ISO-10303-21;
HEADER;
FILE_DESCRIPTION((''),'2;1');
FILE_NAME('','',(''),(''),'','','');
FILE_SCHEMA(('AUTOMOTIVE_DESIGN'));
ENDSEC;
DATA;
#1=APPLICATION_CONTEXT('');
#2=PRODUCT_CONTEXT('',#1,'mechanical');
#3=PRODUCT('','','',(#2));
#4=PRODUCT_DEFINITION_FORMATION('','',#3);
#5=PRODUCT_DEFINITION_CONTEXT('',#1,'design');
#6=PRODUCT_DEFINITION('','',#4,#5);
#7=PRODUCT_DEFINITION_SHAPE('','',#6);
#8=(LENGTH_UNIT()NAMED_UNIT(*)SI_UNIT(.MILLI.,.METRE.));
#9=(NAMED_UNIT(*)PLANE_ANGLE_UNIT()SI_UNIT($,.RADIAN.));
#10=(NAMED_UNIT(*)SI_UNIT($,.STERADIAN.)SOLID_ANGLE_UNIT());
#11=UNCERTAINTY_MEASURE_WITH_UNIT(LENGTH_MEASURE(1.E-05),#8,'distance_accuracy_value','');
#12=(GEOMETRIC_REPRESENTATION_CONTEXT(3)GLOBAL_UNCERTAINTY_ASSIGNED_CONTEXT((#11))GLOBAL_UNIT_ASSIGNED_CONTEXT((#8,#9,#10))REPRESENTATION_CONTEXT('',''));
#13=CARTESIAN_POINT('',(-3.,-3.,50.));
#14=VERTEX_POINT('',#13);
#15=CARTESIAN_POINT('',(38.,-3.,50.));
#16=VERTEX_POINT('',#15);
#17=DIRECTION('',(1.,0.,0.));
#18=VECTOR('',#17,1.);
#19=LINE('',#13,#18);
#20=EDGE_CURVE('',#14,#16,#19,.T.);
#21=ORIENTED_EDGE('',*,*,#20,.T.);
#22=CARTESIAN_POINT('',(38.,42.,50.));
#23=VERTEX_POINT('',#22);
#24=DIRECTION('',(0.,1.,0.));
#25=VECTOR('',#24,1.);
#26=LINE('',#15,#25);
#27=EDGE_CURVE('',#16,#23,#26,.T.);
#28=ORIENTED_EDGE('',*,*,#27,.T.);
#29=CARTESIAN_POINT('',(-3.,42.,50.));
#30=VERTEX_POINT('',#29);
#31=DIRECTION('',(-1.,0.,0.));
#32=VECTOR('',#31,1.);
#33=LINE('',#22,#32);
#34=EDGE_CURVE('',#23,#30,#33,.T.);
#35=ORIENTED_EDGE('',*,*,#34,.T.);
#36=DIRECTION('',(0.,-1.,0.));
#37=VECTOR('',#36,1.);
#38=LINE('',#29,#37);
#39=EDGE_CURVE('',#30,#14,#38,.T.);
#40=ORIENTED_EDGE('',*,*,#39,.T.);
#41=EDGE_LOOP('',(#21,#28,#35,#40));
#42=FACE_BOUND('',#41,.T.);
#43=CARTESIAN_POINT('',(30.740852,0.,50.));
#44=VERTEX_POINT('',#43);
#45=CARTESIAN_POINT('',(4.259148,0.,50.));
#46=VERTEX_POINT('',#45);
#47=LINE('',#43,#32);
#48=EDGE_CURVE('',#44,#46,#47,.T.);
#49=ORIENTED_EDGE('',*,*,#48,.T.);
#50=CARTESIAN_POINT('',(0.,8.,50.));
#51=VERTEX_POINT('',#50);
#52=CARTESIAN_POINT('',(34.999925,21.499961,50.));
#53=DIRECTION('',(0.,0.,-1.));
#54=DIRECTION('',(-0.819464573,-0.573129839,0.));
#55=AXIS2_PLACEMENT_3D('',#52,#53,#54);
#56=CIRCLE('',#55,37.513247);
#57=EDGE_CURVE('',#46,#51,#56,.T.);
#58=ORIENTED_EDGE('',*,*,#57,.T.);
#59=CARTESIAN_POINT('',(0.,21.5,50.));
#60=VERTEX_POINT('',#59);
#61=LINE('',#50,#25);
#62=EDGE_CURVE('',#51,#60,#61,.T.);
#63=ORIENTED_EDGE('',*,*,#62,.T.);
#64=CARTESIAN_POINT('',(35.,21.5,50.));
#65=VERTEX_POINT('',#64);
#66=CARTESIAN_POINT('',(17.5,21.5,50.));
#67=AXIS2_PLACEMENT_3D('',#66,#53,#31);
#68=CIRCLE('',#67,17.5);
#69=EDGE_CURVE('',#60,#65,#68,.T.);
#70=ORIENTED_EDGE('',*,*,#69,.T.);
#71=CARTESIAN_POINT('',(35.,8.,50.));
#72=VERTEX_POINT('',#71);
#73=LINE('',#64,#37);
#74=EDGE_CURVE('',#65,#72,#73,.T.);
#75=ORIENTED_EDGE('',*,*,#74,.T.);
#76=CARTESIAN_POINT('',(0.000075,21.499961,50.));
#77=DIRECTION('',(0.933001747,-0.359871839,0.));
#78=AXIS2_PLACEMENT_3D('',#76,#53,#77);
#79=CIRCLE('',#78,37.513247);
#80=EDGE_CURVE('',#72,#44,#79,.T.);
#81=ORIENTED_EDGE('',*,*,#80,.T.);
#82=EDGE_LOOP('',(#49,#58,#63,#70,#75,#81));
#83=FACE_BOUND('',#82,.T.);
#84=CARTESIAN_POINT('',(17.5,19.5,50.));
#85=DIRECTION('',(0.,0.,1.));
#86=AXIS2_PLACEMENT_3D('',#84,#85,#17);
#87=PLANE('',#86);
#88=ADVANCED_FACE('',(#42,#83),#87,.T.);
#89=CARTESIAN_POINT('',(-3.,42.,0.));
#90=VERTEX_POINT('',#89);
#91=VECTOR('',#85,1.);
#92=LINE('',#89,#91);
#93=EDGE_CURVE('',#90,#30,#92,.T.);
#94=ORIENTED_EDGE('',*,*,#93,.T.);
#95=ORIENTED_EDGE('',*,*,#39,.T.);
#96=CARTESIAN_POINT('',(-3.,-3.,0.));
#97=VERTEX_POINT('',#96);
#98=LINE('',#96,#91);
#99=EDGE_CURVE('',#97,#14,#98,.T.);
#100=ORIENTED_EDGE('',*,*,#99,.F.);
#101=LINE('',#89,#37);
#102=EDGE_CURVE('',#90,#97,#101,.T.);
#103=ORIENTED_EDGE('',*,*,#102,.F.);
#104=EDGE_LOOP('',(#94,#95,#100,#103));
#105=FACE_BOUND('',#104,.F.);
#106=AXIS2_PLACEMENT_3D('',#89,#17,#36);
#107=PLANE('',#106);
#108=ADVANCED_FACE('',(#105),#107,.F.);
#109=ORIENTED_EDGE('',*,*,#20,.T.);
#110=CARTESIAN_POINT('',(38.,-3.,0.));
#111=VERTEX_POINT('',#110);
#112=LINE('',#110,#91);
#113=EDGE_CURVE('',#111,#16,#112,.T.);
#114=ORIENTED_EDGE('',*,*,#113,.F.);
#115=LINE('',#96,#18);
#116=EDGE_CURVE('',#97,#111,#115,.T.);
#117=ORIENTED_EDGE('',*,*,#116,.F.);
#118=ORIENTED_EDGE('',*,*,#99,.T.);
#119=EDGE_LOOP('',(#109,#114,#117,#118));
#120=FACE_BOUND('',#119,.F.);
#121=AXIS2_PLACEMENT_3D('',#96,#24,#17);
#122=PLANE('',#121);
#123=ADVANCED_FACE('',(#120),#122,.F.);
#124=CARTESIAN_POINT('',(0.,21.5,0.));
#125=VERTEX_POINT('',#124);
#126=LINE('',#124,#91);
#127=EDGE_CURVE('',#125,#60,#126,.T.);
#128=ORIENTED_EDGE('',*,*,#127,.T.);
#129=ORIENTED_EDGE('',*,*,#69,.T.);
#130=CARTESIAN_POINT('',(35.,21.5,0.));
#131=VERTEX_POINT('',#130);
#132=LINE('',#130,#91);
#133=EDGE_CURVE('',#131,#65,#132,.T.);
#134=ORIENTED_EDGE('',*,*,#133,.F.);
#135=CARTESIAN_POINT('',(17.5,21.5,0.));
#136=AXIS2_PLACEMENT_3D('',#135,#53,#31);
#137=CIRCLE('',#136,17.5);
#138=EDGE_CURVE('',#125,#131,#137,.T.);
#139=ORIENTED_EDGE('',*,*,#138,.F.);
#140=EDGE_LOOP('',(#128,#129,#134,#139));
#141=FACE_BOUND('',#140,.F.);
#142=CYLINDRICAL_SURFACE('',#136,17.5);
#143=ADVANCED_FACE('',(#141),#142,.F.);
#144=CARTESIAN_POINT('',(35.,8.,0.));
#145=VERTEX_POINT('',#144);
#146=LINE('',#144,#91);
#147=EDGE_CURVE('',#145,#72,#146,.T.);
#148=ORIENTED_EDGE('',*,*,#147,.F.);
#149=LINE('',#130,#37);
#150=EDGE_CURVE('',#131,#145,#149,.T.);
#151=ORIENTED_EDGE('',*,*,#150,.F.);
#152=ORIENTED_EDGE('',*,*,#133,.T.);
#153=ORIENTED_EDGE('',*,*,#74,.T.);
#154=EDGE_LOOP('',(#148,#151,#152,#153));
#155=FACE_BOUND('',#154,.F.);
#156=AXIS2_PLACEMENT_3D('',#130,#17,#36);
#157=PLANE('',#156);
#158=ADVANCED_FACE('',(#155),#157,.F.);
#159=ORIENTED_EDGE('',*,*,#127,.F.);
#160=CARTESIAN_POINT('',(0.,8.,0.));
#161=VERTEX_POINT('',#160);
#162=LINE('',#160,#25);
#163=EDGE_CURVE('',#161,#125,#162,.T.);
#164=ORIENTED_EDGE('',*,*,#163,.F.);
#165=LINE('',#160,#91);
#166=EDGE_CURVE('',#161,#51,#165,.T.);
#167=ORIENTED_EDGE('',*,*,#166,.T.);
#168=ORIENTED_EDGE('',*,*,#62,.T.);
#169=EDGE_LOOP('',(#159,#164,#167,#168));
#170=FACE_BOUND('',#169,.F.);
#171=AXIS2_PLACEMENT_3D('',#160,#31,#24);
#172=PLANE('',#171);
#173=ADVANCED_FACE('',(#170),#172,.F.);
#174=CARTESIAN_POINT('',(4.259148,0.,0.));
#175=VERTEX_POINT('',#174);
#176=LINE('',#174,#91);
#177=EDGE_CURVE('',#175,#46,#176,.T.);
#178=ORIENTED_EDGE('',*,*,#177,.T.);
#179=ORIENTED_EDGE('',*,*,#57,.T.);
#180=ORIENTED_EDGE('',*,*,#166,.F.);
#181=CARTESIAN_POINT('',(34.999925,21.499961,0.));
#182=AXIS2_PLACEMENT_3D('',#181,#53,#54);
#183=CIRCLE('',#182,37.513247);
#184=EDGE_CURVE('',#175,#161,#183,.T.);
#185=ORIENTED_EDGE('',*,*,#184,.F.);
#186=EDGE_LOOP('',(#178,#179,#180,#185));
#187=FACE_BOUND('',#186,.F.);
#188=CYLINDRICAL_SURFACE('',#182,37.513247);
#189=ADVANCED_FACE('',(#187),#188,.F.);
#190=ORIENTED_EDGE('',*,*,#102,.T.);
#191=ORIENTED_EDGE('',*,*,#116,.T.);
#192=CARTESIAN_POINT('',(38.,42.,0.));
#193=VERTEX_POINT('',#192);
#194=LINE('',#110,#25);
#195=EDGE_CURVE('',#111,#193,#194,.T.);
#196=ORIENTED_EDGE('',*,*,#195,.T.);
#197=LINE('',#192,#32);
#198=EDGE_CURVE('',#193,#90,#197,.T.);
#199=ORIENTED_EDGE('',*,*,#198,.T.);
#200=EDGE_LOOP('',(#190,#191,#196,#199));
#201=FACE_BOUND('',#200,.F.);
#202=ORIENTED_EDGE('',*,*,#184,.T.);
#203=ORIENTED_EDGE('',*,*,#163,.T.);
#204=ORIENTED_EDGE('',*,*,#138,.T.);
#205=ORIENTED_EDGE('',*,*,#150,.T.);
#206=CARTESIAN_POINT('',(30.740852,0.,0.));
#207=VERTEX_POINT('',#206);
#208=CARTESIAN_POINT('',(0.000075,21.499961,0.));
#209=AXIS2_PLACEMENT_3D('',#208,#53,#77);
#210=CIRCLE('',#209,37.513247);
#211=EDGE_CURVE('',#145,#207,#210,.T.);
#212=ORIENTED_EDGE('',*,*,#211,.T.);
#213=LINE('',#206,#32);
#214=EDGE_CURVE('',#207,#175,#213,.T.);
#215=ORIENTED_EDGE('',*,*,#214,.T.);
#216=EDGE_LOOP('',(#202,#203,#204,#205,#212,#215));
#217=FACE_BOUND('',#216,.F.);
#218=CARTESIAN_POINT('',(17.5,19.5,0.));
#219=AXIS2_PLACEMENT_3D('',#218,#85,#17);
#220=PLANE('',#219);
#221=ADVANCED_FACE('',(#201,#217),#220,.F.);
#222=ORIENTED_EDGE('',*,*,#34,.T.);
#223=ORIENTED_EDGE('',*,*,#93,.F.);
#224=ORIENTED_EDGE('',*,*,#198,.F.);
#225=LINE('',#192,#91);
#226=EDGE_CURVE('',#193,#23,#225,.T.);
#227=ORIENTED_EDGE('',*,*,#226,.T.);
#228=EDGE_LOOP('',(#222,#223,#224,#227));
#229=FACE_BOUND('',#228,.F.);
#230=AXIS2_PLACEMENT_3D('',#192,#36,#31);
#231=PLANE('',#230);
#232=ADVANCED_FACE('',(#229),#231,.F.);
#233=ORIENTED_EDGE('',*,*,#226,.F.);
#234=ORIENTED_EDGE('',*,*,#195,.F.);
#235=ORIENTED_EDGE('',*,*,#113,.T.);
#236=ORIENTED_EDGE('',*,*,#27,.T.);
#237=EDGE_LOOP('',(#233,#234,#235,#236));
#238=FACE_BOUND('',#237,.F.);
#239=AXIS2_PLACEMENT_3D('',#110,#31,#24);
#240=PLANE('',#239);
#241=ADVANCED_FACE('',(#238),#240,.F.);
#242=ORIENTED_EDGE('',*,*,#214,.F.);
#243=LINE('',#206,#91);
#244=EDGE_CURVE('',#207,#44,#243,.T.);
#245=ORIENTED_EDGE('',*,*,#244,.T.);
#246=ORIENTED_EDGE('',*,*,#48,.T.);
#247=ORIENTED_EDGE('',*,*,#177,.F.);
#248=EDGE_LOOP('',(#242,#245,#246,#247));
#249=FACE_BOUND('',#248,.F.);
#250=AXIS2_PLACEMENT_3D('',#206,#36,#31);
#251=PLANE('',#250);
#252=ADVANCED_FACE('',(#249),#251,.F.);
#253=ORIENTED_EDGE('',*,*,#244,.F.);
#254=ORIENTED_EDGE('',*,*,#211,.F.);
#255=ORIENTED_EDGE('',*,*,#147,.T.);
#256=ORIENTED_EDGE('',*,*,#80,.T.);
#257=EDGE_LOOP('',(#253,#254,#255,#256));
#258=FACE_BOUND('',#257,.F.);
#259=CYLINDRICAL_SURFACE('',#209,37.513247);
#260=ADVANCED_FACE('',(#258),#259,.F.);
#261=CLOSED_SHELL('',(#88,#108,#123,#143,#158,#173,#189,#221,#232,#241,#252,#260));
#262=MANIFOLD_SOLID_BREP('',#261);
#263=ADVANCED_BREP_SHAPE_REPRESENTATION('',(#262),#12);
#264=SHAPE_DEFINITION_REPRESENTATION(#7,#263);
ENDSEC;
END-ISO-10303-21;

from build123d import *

# Parameters (mm, degrees)
F1_DEPTH = 50


with BuildPart() as f1:
    # F0 (on Top) → F1 (new body)
    with BuildSketch(Plane.XY):
        Polygon((-3, 42), (-3, -3), (30.740852, -3), (38, -3), (38, 8), (38, 42), (17.5, 42), align=None)
        with BuildLine():
            Line((35, 21.5), (35, 8))
            ThreePointArc((35, 8), (33.112912, 3.870902), (30.740852, 0))
            Line((30.740852, 0), (4.259148, 0))
            ThreePointArc((4.259148, 0), (1.887088, 3.870902), (0, 8))
            Line((0, 8), (0, 21.5))
            ThreePointArc((0, 21.5), (17.5, 39), (35, 21.5))
        make_face(mode=Mode.SUBTRACT)
    extrude(amount=F1_DEPTH)


solid = f1.part
